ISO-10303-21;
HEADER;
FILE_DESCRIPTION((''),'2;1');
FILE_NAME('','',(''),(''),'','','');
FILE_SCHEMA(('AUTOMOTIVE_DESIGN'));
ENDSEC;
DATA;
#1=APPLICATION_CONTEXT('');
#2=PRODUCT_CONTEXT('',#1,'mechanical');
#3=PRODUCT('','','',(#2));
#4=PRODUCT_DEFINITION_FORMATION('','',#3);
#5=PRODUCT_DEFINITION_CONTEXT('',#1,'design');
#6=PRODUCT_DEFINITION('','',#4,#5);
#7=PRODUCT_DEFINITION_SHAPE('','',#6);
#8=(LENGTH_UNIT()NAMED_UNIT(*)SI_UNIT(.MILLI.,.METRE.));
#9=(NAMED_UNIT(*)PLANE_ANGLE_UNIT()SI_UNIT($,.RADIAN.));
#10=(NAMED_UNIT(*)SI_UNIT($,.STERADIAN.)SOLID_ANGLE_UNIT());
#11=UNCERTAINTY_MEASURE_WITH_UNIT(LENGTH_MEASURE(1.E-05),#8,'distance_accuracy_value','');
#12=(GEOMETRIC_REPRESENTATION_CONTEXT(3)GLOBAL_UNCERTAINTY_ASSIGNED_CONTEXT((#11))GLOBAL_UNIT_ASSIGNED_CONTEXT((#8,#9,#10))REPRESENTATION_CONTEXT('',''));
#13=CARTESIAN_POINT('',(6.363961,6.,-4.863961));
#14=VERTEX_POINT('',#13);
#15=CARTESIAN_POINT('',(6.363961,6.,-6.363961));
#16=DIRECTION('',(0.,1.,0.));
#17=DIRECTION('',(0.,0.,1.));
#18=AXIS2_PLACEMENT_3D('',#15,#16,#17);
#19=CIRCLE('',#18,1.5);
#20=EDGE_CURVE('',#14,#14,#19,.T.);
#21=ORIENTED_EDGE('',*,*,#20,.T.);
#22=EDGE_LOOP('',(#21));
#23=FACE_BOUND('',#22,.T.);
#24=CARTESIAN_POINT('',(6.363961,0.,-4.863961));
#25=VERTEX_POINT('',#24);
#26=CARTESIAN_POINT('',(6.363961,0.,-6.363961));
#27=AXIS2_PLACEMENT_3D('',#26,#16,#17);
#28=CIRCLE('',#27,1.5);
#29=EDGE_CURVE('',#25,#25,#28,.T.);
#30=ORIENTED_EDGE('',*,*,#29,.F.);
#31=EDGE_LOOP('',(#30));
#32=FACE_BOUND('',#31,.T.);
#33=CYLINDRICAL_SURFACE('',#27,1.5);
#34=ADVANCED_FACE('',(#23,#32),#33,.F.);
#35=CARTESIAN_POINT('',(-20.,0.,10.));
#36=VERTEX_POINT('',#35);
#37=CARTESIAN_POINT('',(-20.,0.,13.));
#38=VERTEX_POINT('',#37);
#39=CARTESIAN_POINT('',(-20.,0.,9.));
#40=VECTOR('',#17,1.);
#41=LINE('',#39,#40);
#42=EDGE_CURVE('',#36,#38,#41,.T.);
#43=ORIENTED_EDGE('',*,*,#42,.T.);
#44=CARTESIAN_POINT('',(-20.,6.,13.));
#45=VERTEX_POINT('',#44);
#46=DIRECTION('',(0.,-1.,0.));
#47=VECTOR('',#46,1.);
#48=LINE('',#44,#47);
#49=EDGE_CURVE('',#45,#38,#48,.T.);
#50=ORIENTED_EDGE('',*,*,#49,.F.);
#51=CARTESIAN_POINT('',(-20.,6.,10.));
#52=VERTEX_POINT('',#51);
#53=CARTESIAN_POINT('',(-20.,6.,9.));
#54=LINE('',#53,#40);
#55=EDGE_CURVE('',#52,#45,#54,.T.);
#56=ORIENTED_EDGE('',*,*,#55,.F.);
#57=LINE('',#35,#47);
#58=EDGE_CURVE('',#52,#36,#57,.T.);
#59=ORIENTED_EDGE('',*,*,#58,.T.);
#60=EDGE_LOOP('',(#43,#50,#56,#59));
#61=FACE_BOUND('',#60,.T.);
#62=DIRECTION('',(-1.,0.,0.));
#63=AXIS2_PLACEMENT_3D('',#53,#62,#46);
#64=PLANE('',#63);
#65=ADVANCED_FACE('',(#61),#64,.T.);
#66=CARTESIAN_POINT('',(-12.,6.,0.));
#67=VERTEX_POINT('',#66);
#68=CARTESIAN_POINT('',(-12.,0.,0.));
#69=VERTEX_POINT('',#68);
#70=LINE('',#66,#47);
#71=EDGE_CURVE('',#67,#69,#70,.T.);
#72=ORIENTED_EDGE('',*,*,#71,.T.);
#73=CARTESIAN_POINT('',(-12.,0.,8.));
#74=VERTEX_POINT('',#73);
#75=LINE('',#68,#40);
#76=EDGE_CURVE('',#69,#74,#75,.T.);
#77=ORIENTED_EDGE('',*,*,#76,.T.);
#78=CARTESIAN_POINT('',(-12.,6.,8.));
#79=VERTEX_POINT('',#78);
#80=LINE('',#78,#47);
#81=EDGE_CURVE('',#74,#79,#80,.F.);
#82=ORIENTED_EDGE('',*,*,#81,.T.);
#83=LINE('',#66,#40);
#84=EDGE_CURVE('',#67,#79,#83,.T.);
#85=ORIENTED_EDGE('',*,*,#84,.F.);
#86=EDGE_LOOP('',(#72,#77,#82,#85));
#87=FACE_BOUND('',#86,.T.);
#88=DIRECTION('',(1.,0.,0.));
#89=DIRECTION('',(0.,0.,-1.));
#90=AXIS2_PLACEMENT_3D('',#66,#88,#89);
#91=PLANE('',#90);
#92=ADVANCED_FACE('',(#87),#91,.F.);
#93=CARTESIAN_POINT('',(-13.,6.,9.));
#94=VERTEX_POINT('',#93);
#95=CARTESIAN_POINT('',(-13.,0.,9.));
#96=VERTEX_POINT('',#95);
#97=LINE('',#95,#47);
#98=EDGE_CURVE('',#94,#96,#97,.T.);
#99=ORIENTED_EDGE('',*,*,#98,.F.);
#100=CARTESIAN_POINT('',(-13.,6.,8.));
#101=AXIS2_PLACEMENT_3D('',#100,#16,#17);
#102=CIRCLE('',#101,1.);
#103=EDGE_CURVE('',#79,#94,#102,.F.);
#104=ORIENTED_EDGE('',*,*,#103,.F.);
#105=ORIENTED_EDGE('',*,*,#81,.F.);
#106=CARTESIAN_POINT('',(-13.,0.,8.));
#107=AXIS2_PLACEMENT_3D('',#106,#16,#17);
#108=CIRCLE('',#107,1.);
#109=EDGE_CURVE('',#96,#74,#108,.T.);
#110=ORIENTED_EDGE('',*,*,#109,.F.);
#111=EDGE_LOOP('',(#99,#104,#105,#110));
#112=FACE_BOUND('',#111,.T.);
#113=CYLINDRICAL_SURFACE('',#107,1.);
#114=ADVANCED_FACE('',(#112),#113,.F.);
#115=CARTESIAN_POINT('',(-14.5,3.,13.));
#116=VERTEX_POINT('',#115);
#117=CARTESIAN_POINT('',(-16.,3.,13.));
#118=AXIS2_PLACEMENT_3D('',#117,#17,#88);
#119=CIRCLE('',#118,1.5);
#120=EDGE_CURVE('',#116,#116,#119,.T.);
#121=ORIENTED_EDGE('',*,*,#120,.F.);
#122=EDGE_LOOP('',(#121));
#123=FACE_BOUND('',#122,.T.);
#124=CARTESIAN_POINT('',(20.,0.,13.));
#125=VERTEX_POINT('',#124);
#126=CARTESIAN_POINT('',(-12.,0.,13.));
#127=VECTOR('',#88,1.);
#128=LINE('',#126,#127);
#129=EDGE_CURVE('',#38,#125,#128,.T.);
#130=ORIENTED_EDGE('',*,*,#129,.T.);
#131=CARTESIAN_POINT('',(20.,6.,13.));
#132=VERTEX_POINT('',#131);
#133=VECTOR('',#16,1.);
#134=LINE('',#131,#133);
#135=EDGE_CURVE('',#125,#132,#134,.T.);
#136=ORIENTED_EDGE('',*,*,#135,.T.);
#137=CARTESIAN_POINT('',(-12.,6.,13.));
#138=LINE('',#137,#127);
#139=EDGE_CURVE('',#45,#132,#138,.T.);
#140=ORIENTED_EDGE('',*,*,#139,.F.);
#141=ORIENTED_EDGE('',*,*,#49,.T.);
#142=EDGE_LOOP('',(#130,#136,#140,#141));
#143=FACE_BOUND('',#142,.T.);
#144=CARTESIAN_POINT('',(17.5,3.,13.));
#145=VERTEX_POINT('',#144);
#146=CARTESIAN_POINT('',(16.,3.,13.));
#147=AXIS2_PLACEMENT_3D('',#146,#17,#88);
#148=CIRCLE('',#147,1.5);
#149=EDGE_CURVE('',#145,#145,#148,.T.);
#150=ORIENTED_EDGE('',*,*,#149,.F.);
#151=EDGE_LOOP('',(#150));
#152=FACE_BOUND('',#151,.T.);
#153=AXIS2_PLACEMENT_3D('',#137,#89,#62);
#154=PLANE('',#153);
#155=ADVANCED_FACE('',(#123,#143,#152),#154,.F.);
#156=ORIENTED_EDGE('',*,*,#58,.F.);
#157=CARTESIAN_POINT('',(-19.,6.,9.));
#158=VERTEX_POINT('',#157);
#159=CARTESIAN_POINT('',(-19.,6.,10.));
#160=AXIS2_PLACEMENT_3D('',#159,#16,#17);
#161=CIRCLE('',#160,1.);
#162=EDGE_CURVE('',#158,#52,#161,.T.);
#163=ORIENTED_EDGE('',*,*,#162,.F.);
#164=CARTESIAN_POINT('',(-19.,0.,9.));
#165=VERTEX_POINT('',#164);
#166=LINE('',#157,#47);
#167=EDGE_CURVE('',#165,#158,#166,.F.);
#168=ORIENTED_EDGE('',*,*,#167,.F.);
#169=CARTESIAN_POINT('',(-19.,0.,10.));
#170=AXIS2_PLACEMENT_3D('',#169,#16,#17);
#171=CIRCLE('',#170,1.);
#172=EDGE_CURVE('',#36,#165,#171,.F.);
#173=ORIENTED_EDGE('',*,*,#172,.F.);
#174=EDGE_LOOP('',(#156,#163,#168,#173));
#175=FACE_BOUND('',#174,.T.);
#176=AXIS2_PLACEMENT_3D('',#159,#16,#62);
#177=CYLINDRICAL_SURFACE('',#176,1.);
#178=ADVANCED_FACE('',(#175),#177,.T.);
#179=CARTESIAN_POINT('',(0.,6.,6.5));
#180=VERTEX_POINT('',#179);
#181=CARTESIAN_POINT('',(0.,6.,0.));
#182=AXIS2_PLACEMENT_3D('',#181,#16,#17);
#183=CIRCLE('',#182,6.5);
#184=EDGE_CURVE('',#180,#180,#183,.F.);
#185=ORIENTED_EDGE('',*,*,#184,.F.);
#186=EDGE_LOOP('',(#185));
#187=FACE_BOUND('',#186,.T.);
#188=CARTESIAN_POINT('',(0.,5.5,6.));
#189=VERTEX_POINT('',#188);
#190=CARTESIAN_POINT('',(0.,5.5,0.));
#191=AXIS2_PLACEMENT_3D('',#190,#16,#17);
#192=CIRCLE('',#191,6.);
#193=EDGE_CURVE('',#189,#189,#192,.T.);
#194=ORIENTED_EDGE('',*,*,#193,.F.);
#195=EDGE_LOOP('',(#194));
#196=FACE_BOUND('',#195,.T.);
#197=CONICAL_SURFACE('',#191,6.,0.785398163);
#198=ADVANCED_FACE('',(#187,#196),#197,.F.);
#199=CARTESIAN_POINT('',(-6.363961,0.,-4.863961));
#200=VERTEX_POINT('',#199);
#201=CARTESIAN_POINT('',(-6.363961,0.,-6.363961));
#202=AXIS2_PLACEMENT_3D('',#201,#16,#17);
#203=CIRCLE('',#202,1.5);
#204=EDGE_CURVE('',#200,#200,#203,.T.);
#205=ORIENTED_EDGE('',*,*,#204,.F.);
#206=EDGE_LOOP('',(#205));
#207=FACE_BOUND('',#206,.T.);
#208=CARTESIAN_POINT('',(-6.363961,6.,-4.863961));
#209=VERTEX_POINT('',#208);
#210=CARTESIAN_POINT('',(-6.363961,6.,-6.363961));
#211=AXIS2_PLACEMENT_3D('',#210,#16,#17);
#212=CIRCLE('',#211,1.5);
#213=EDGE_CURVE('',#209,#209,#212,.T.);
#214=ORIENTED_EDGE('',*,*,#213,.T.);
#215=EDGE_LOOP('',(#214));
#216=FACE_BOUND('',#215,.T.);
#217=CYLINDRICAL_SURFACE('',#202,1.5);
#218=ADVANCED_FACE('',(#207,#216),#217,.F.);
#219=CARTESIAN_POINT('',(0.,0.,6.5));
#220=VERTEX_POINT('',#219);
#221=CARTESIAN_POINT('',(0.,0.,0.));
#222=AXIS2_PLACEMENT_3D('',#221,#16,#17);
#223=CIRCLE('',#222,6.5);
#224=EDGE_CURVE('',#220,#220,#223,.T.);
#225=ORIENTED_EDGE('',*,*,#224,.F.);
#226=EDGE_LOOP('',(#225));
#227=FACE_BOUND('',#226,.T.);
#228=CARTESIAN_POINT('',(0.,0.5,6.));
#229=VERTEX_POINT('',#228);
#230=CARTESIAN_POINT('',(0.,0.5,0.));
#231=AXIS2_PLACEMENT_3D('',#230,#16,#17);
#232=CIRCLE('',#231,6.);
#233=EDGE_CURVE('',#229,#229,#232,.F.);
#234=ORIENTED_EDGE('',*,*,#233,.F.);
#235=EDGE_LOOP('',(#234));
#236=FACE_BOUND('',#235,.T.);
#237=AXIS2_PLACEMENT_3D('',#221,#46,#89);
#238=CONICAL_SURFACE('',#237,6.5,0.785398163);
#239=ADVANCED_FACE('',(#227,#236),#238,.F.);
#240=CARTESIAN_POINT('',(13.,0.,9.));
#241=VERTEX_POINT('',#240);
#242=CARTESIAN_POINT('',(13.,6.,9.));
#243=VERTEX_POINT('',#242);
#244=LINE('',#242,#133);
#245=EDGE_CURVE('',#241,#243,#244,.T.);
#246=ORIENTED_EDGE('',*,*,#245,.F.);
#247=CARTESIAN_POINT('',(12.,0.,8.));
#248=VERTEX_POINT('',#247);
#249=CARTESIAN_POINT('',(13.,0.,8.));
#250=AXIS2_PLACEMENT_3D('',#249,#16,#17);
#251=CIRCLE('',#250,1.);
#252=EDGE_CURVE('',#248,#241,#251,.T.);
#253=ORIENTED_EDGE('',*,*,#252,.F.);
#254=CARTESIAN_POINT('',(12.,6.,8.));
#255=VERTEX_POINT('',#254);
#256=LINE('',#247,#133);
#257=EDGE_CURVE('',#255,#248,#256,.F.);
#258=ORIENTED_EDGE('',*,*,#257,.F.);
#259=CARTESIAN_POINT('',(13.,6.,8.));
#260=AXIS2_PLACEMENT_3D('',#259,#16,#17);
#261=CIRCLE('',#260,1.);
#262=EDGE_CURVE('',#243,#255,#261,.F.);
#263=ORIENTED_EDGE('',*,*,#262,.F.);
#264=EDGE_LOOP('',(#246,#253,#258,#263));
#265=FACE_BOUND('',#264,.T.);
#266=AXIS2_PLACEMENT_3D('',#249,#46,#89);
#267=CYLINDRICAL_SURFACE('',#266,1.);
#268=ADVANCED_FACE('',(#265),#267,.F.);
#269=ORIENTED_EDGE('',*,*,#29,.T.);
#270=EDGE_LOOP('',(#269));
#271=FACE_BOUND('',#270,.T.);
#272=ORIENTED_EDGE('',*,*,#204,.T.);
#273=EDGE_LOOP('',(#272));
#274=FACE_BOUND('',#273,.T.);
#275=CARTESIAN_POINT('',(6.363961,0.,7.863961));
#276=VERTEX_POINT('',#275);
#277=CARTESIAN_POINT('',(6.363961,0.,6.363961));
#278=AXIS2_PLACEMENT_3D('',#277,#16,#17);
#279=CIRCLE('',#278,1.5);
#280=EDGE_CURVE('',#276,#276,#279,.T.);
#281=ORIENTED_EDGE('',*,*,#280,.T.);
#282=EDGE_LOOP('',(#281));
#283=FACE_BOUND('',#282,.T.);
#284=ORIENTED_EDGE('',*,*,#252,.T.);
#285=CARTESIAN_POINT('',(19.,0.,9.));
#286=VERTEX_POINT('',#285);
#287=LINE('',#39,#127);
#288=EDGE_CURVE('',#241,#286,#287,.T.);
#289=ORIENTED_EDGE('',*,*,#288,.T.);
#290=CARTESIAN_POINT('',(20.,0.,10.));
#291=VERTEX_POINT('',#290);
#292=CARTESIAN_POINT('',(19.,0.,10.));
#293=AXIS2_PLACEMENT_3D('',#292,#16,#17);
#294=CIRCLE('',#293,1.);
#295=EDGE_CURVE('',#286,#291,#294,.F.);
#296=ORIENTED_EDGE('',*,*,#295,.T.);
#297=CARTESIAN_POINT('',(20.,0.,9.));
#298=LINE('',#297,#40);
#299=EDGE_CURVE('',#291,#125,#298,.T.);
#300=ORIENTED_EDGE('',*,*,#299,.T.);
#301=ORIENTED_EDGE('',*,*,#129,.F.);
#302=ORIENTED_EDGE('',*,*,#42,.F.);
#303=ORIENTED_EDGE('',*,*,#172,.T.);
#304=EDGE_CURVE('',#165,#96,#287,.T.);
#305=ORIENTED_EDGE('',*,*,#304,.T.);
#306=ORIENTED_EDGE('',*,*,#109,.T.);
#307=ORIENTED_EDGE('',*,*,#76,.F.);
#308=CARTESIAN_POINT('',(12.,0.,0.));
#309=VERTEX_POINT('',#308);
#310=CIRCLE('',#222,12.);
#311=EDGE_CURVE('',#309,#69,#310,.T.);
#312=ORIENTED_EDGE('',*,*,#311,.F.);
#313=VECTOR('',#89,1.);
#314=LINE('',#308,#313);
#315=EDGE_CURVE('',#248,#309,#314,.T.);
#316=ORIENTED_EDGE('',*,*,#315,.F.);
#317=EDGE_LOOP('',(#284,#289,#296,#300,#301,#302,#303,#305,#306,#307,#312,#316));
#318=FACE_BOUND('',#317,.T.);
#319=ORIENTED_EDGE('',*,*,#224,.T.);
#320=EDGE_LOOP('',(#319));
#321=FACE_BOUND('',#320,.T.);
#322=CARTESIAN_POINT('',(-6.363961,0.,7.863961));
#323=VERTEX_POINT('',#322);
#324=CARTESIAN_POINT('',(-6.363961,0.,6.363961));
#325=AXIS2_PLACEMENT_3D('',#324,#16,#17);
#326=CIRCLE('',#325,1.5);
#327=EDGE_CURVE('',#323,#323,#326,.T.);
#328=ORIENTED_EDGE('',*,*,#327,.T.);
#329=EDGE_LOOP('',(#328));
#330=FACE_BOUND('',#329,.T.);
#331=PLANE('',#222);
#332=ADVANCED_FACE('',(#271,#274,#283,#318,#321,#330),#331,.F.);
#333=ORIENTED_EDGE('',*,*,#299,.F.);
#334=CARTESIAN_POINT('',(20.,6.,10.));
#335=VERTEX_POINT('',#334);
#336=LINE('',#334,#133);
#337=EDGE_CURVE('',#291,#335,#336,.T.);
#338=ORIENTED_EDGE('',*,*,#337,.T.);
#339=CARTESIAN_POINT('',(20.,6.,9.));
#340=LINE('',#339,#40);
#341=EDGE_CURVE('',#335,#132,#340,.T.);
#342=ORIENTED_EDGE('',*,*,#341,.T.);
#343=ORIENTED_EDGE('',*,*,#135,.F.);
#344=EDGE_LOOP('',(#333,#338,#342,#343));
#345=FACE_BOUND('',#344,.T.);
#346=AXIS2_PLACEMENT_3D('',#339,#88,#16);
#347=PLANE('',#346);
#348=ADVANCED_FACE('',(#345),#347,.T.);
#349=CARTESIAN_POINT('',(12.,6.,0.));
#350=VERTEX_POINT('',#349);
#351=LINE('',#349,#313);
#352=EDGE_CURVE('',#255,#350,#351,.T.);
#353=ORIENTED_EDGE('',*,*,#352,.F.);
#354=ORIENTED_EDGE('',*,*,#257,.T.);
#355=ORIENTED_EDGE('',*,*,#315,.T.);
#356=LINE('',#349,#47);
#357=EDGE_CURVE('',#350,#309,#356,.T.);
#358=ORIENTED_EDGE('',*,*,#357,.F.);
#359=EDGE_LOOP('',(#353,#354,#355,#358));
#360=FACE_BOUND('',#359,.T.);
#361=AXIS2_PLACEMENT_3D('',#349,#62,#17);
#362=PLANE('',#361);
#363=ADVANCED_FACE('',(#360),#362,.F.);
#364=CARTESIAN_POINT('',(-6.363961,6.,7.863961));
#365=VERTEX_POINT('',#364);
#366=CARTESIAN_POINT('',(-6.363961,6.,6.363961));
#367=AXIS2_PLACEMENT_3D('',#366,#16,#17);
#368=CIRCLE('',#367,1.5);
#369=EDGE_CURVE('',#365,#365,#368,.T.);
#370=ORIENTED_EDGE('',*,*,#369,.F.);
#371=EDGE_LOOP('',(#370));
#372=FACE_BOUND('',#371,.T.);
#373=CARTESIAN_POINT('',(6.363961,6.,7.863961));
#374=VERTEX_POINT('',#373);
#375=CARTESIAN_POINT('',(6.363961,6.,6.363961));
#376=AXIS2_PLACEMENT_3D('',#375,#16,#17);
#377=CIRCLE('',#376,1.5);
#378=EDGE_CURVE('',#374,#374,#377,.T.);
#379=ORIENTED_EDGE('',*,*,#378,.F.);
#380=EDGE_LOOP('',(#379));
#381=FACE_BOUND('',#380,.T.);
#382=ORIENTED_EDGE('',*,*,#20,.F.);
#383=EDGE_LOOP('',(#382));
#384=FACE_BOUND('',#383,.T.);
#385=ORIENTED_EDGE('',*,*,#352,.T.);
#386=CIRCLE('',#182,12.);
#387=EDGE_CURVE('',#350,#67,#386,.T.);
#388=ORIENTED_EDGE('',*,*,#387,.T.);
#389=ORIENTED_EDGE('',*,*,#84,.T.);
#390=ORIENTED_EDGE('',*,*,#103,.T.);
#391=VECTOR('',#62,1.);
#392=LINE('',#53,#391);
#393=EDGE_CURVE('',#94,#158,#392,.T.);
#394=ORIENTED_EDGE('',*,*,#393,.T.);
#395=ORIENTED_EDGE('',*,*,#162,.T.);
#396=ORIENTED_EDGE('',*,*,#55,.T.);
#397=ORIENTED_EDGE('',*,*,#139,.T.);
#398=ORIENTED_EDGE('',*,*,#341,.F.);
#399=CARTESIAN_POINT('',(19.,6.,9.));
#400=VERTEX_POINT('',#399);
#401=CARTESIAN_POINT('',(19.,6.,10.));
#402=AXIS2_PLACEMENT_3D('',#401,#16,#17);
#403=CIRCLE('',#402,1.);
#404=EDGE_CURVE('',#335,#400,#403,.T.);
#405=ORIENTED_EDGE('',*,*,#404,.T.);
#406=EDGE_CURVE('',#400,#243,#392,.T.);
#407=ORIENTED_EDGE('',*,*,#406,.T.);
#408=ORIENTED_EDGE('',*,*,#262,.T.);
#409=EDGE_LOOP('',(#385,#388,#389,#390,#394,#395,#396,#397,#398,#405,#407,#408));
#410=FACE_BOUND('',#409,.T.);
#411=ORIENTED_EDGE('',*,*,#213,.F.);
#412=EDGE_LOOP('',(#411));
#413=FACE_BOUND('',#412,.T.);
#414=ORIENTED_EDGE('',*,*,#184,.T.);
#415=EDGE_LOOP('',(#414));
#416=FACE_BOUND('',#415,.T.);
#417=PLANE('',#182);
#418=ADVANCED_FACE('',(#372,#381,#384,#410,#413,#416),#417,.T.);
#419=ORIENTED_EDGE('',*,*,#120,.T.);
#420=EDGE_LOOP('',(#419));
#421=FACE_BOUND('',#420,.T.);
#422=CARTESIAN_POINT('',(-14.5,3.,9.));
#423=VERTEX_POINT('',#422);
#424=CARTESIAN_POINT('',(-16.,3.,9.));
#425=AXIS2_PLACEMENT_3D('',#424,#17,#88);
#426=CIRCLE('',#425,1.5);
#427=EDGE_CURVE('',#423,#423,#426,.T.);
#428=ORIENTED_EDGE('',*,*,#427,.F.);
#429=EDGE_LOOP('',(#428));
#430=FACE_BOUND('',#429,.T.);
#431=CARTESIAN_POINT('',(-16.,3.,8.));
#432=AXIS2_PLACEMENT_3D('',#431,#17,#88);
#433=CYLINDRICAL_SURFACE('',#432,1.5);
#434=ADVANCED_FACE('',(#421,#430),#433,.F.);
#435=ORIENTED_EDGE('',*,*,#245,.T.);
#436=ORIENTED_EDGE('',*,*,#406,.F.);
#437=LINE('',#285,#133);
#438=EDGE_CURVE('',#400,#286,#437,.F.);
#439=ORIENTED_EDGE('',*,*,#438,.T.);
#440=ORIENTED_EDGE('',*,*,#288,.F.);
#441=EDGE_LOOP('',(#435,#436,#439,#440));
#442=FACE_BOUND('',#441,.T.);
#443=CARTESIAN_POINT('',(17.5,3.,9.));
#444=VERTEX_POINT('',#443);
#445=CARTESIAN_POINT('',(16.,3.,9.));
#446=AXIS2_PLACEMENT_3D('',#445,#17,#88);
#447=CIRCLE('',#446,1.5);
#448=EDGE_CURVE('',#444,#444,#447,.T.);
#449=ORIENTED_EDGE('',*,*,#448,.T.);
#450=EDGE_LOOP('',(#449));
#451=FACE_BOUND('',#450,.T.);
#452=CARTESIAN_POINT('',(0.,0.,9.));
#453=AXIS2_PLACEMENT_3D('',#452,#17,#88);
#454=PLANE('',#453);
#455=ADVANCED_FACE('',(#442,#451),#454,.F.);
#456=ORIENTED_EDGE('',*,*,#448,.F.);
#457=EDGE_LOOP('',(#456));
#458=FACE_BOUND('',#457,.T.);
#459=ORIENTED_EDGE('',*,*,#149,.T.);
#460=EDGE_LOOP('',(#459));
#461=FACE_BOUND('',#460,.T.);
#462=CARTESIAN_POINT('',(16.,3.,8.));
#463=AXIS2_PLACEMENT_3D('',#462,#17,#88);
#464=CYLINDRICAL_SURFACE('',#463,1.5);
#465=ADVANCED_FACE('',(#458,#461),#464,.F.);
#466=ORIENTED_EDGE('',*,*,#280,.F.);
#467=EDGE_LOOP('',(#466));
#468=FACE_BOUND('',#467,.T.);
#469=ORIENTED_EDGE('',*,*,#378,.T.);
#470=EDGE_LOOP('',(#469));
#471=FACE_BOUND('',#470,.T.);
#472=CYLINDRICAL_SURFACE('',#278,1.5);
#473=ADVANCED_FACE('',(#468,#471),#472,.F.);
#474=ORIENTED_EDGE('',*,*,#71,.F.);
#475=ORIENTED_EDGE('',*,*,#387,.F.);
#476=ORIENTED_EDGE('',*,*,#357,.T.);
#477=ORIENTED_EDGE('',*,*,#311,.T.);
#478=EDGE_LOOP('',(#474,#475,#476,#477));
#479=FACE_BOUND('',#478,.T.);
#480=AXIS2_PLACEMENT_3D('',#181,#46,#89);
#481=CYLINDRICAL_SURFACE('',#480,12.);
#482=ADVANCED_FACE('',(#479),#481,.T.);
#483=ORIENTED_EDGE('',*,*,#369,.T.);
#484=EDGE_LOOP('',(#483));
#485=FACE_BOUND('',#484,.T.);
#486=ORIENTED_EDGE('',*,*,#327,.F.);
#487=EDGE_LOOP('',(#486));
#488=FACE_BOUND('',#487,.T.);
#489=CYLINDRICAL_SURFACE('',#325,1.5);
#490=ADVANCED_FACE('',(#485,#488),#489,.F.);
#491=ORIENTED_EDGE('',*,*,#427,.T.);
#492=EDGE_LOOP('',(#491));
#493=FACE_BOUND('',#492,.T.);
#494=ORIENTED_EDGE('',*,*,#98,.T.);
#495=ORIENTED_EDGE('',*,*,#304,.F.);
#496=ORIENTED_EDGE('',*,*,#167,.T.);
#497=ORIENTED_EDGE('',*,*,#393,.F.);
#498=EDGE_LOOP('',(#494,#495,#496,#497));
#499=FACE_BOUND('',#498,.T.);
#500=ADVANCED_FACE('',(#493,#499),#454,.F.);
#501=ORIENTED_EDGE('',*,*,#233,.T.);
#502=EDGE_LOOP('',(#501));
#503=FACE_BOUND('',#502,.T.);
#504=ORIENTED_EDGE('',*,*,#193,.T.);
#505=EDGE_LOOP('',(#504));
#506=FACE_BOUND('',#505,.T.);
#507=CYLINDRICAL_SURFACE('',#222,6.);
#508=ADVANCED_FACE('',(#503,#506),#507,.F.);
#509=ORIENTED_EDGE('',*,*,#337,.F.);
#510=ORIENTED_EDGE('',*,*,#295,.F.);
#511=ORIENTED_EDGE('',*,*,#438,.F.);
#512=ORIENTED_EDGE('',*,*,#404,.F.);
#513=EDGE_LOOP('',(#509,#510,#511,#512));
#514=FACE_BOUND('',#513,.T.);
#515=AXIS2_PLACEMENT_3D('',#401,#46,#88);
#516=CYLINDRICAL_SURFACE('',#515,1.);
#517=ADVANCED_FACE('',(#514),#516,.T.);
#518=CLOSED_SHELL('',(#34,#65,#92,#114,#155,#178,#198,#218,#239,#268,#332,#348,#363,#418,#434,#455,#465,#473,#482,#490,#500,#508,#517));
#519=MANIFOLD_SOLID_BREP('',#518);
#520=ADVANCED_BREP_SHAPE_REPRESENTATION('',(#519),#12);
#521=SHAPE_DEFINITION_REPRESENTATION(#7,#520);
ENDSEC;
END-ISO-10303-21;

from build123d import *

# Parameters (mm, degrees)
EXTRUDE_1_DEPTH     = 6
SKETCH_2_R          = 6
CUT_EXTRUDE_1_DEPTH = 6
SKETCH_3_R          = 1.5
CUT_EXTRUDE_2_DEPTH = 6
SKETCH_9_W          = 40
SKETCH_9_H          = 6
EXTRUDE_4_DEPTH     = 4
SKETCH_10_R         = 1.5
CUT_EXTRUDE_4_DEPTH = 5
FILLET_2_R          = 1
CHAMFER_1_SIZE      = 0.5


with BuildPart() as part:
    # 草图1 → 凸台-拉伸1 (new body)
    with BuildSketch(Plane(origin=(0, 0, 0), x_dir=(1, 0, 0), z_dir=(0, 1, 0))):
        with BuildLine():
            Line((-12, 0), (-12, -13))
            Line((-12, -13), (12, -13))
            Line((12, -13), (12, 0))
            ThreePointArc((12, 0), (0, 12), (-12, 0))
        make_face()
    extrude(amount=EXTRUDE_1_DEPTH)

    # 草图2 → 切除-拉伸1 (cut)
    with BuildSketch(Plane(origin=(0, 6, 0), x_dir=(1, 0, 0), z_dir=(0, 1, 0))):
        with Locations(Location((0, 0, 0), (0, 0, 270))):
            Circle(SKETCH_2_R)
    extrude(amount=-CUT_EXTRUDE_1_DEPTH, mode=Mode.SUBTRACT)

    # 草图3 → 切除-拉伸2 (cut)
    with BuildSketch(Plane(origin=(0, 6, 0), x_dir=(1, 0, 0), z_dir=(0, 1, 0))):
        with Locations(Location((-6.363961031, 6.363961031, 0), (0, 0, 270))):
            Circle(SKETCH_3_R)
        with Locations(Location((6.363961031, 6.363961031, 0), (0, 0, 270))):
            Circle(SKETCH_3_R)
        with Locations(Location((6.363961031, -6.363961031, 0), (0, 0, 270))):
            Circle(SKETCH_3_R)
        with Locations(Location((-6.363961031, -6.363961031, 0), (0, 0, 270))):
            Circle(SKETCH_3_R)
    extrude(amount=-CUT_EXTRUDE_2_DEPTH, mode=Mode.SUBTRACT)

    # 草图9 → 凸台-拉伸4 (add)
    with BuildSketch(Plane.XY.offset(13)):
        with Locations((0, 3)):
            Rectangle(SKETCH_9_W, SKETCH_9_H)
    extrude(amount=-EXTRUDE_4_DEPTH)

    # 草图10 → 切除-拉伸4 (cut)
    with BuildSketch(Plane.XY.offset(13)):
        with Locations((-16, 3)):
            Circle(SKETCH_10_R)
        with Locations((16, 3)):
            Circle(SKETCH_10_R)
    extrude(amount=-CUT_EXTRUDE_4_DEPTH, mode=Mode.SUBTRACT)

    # 圆角2
    fillet_2_edges = [part.edges().sort_by_distance(p)[0] for p in [
        (-12, 3, 9),
        (12, 3, 9),
        (-20, 3, 9),
        (20, 3, 9),
    ]]
    fillet(fillet_2_edges, radius=FILLET_2_R)

    # 倒角1
    chamfer_1_edges = [part.edges().sort_by_distance(p)[0] for p in [
        (0, 0, -6),
        (0, 6, -6),
    ]]
    chamfer(chamfer_1_edges, length=CHAMFER_1_SIZE)


solid = part.part
